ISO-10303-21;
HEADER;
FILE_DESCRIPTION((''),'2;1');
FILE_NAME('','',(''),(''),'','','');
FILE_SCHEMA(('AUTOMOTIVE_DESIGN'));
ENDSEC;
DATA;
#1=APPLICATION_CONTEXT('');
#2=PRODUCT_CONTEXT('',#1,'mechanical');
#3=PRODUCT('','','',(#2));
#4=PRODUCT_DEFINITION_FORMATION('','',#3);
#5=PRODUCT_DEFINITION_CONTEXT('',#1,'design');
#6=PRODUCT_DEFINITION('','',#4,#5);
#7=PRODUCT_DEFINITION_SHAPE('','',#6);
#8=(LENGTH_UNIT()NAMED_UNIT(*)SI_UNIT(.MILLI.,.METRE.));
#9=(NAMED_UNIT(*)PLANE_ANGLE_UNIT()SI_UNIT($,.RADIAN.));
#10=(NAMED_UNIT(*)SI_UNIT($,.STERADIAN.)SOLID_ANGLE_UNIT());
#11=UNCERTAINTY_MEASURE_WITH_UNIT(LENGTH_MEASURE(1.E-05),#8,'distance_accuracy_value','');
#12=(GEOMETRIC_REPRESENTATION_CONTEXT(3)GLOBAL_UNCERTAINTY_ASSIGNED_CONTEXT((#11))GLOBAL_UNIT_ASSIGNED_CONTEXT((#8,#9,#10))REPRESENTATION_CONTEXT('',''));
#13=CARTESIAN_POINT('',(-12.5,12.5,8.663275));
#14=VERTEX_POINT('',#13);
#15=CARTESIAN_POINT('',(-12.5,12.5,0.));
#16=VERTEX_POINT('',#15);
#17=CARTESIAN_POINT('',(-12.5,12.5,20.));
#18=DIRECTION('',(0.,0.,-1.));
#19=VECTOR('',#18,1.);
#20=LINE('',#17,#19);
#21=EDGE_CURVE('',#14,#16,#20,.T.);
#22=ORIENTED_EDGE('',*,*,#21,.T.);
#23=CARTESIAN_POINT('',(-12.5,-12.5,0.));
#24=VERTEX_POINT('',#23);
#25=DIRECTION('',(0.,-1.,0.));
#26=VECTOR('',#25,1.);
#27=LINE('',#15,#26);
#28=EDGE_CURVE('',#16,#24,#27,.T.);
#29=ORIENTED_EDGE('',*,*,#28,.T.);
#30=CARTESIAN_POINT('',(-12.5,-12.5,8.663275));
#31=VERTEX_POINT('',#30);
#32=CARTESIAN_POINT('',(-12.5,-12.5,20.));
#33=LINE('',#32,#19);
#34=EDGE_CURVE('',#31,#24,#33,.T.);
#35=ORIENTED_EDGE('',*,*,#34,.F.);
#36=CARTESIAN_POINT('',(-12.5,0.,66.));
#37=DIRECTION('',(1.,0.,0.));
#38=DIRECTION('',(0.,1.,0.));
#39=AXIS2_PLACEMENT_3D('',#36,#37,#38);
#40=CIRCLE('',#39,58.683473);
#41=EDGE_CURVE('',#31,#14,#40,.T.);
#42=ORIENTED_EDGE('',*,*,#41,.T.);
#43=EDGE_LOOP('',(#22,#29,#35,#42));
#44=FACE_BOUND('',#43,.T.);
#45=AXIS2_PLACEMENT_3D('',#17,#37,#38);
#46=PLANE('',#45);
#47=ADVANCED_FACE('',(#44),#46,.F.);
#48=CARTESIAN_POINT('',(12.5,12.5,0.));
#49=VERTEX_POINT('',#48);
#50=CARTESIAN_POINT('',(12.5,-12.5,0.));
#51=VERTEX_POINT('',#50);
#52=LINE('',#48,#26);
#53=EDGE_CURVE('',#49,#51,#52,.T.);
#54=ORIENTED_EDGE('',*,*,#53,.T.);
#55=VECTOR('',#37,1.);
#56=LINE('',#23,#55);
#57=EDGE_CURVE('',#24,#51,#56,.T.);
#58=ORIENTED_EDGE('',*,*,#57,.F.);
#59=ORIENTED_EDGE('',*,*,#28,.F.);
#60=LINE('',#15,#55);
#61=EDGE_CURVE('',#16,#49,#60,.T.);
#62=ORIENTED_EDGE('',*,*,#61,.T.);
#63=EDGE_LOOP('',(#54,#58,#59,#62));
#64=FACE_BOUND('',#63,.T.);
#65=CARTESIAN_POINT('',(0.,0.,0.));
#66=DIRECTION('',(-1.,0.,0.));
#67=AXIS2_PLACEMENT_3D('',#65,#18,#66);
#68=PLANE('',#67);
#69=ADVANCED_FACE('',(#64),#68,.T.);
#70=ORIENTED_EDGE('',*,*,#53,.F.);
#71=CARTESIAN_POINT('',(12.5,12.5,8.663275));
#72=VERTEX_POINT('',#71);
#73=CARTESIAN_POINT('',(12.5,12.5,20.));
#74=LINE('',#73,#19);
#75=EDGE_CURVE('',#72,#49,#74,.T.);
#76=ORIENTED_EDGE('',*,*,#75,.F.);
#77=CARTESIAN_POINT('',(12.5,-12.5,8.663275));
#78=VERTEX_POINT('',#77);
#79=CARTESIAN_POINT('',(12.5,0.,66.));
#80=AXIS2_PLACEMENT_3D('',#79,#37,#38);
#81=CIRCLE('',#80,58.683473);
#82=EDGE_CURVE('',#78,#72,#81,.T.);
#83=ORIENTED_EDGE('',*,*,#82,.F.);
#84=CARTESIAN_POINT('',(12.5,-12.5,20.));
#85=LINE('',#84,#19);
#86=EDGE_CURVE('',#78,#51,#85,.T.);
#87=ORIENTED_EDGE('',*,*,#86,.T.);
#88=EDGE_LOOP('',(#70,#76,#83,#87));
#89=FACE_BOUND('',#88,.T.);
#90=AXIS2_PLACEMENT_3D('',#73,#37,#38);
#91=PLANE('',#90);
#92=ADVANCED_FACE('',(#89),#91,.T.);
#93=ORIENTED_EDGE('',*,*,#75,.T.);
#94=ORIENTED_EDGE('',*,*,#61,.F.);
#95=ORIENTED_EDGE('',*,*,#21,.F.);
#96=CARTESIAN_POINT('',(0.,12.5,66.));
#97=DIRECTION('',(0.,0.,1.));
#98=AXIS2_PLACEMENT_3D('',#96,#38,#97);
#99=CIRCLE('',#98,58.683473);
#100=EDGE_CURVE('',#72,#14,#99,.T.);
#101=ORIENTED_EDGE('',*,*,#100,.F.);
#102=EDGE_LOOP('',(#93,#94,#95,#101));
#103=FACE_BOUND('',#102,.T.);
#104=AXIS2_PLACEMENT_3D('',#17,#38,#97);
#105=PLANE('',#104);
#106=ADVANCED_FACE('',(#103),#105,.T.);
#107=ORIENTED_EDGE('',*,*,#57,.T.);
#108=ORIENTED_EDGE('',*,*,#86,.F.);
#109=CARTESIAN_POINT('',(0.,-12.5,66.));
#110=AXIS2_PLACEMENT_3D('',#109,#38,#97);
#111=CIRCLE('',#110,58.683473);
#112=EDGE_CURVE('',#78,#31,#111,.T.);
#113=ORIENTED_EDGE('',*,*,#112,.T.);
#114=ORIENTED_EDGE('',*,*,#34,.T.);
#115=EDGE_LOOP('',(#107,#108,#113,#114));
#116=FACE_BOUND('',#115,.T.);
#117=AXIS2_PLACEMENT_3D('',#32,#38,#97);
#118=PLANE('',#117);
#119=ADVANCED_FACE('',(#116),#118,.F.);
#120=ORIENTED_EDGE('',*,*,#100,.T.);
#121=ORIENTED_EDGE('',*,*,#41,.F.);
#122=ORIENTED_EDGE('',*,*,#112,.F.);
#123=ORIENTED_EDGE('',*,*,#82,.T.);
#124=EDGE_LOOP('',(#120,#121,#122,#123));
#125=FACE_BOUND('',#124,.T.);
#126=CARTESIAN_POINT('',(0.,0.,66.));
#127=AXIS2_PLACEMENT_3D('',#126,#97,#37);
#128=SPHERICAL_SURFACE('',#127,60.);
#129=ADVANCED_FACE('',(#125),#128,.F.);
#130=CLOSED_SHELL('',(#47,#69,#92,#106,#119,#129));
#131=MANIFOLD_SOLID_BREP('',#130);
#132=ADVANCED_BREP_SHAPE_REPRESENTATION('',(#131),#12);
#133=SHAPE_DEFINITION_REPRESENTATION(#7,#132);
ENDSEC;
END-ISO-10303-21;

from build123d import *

# Parameters (mm, degrees)
SKETCH_1_W      = 25
SKETCH_1_H      = 25
EXTRUDE_1_DEPTH = 20


with BuildPart() as part:
    # 草图1 → 凸台-拉伸1 (new body)
    with BuildSketch(Plane.XY):
        Rectangle(SKETCH_1_W, SKETCH_1_H)
    extrude(amount=EXTRUDE_1_DEPTH)

    # 草图2 → 切除-旋转2 (revolve, cut)
    with BuildSketch(Plane(origin=(0, 0, 0), x_dir=(1, 0, 0), z_dir=(0, 1, 0))):
        with BuildLine():
            Line((58.490727709, -52.627088122), (0, -52.627088122))
            Line((0, -52.627088122), (0, -6))
            ThreePointArc((0, -6), (37.400703786, -19.083186848), (58.490727709, -52.627088122))
        make_face()
    revolve(axis=Axis((0, 0, 52.627088122), (0, 0, -1)), mode=Mode.SUBTRACT)


solid = part.part
